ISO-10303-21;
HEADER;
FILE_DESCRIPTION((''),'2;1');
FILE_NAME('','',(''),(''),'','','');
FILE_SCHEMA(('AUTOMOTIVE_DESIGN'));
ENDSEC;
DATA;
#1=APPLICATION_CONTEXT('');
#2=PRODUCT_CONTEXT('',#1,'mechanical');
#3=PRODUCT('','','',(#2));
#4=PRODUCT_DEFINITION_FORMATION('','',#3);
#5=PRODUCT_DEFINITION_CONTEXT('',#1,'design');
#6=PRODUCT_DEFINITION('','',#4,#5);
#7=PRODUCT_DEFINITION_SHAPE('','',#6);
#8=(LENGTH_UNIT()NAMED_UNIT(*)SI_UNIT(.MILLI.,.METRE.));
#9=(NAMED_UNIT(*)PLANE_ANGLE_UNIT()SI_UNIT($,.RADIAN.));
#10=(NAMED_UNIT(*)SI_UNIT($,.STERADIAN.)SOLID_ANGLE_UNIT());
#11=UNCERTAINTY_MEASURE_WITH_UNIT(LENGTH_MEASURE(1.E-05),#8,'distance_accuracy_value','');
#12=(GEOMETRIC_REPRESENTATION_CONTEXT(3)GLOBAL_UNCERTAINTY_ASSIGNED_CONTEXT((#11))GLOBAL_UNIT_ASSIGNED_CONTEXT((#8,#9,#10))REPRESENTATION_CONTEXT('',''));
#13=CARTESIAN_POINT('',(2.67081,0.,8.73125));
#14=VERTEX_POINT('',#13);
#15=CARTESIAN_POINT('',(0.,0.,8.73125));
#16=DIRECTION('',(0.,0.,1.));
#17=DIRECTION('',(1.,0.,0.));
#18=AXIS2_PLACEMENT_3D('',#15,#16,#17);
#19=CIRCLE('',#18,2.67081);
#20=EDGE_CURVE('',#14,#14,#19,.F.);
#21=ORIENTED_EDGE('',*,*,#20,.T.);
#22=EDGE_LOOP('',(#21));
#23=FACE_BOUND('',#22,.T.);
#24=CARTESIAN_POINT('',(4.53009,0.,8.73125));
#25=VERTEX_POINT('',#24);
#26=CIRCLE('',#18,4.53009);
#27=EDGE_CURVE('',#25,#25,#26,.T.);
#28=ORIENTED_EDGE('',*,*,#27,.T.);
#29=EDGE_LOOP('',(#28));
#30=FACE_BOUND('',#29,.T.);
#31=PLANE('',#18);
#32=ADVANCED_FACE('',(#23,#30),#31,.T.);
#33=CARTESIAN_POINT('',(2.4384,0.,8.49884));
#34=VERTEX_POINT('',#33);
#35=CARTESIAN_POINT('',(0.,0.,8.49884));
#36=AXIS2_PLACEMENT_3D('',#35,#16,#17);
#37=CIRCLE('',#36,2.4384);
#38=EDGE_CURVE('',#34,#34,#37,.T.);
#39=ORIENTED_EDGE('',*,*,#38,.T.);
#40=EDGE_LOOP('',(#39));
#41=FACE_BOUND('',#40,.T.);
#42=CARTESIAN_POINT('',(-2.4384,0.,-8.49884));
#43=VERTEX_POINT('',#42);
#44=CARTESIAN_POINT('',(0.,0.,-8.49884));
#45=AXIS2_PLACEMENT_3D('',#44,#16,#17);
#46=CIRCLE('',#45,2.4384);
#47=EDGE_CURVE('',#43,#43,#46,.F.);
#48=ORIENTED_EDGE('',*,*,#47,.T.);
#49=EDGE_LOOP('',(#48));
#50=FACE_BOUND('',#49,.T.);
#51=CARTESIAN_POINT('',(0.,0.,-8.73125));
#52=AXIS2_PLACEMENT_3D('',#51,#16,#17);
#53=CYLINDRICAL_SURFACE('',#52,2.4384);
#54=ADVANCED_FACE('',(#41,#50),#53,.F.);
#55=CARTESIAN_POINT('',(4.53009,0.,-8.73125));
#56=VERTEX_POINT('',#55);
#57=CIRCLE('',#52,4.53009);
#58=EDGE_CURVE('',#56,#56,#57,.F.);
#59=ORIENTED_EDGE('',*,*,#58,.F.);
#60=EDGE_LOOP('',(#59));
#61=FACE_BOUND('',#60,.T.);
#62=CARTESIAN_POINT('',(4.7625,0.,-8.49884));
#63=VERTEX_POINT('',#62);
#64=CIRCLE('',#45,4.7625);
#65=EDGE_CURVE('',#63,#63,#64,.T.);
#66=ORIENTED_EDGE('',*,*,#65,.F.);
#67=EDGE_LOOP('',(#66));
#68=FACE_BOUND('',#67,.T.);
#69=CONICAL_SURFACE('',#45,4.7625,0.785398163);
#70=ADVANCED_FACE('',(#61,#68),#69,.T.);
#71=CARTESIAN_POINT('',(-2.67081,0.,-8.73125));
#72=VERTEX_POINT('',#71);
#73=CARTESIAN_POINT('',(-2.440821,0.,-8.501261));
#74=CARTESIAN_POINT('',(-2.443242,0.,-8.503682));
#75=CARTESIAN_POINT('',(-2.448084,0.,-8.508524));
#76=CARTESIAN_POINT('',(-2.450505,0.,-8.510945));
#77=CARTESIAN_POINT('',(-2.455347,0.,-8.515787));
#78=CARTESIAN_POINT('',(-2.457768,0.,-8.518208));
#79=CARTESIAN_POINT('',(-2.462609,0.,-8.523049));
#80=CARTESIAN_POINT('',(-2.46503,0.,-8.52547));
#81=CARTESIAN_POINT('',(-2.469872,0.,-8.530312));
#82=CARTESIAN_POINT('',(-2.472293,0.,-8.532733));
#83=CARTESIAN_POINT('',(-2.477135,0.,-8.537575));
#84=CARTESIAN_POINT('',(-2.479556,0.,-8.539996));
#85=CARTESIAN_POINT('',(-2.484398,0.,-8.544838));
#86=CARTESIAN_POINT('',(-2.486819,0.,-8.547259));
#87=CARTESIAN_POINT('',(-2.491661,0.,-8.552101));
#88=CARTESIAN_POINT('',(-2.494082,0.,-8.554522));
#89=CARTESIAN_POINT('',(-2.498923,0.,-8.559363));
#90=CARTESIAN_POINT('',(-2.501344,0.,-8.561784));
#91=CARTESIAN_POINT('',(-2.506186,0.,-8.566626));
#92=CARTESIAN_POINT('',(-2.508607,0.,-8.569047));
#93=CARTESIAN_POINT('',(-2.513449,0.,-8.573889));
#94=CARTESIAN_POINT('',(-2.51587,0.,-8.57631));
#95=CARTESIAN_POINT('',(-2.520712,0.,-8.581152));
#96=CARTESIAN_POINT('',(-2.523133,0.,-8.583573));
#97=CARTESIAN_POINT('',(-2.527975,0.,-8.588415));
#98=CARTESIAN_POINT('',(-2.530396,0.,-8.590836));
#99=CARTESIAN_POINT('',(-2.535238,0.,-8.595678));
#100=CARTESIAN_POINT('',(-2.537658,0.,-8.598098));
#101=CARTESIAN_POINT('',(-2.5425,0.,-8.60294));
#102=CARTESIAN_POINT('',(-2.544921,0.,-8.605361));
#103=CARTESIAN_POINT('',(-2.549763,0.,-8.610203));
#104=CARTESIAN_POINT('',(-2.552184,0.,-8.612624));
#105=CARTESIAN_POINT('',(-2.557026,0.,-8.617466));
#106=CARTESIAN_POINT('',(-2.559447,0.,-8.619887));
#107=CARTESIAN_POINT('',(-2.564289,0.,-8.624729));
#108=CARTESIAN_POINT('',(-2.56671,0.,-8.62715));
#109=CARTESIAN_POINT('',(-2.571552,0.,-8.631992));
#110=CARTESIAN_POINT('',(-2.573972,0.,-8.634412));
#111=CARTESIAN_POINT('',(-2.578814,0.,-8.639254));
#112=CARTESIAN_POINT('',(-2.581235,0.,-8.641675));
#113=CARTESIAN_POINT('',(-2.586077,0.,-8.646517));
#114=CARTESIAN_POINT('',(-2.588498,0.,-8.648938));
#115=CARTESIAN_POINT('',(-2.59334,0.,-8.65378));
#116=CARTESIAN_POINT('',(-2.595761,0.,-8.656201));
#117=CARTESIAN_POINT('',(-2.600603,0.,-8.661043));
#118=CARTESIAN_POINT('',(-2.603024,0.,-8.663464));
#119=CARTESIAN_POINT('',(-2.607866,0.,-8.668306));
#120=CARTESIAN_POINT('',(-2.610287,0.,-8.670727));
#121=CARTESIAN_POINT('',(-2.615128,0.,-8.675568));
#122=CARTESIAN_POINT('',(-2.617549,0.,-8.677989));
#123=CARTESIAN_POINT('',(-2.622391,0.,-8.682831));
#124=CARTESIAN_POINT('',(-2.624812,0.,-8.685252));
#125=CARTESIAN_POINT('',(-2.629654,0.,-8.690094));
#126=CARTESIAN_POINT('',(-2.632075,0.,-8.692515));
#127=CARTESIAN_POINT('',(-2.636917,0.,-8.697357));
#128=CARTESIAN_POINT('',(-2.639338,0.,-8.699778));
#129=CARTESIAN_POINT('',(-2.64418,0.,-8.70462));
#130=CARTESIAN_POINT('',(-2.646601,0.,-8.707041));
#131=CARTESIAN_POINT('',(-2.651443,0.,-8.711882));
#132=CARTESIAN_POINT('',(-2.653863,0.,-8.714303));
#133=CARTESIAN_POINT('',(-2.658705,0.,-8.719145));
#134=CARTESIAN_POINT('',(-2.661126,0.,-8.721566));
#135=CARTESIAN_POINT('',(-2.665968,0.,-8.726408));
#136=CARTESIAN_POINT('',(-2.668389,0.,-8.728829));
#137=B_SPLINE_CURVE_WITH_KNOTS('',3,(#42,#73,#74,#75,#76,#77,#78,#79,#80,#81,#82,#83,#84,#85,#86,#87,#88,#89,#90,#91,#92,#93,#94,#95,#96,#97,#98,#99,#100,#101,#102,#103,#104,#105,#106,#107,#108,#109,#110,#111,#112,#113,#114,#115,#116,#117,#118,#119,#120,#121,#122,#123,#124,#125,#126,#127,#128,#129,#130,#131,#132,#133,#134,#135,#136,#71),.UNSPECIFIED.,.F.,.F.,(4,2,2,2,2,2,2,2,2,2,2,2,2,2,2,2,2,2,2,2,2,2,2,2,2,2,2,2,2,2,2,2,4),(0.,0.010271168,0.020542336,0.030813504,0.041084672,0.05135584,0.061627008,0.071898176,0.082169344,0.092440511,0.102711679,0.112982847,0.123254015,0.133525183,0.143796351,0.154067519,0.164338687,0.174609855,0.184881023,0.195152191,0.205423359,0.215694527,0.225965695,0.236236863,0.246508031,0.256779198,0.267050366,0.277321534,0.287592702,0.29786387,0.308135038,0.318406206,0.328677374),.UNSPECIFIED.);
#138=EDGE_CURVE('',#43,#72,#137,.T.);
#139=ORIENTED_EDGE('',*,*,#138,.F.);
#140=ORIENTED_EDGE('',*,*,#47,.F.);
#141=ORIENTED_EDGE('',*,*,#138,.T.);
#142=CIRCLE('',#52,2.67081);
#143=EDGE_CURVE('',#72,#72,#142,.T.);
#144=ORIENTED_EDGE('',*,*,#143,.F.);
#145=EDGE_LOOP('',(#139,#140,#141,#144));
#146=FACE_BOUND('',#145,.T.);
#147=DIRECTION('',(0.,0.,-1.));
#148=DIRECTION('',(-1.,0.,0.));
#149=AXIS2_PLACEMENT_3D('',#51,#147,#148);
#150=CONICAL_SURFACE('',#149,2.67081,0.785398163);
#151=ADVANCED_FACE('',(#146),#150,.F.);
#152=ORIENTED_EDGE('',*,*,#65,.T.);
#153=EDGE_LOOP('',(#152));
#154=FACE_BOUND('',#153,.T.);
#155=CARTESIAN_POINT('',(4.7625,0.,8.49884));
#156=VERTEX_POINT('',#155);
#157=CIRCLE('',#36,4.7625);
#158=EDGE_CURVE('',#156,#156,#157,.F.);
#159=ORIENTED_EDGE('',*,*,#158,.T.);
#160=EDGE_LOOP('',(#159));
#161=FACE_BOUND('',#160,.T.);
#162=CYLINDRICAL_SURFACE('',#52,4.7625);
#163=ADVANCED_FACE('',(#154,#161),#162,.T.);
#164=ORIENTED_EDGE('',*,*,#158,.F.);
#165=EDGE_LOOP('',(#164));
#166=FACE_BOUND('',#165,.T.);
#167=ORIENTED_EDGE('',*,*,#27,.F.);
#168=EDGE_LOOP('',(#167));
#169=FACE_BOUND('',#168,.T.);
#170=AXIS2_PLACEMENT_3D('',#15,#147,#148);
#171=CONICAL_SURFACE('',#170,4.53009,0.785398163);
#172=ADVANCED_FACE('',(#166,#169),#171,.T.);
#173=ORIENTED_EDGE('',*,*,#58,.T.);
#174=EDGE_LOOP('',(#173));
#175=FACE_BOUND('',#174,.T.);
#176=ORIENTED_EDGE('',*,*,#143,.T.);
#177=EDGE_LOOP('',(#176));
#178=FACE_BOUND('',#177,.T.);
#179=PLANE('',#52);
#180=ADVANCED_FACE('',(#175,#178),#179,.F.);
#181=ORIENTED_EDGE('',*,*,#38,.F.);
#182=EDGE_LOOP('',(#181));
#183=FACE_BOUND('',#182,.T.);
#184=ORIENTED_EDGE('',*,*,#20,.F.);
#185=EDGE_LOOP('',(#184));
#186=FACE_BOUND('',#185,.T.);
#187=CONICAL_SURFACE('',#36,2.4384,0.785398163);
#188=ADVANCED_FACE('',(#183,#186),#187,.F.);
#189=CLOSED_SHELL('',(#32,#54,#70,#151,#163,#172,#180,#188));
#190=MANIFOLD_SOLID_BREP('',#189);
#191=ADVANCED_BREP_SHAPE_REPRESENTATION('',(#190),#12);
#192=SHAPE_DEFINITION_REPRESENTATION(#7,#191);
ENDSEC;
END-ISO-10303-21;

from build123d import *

# Parameters (mm, degrees)
BOSS_EXTRUDE1_DEPTH      = 8.73125
BOSS_EXTRUDE1_DEPTH_BACK = 8.73125
SKETCH3_R                = 4.7625
SKETCH3_R_2              = 2.4384
CHAMFER1_SIZE            = 0.23241


with BuildPart() as part:
    # Sketch3 → Boss-Extrude1 (new, two sides: drawn at the far end of the back side and taken through both)
    with BuildSketch(Plane.XY.offset(-BOSS_EXTRUDE1_DEPTH_BACK)):
        Circle(SKETCH3_R)
        Circle(SKETCH3_R_2, mode=Mode.SUBTRACT)
    extrude(amount=BOSS_EXTRUDE1_DEPTH + BOSS_EXTRUDE1_DEPTH_BACK)

    # Chamfer1
    chamfer1_edges = [part.edges().sort_by_distance(p)[0] for p in [
        (-4.7625, 0, -8.73125),
        (-2.4384, 0, -8.73125),
        (-4.7625, 0, 8.73125),
        (-2.4384, 0, 8.73125),
    ]]
    chamfer(chamfer1_edges, length=CHAMFER1_SIZE)


solid = part.part
